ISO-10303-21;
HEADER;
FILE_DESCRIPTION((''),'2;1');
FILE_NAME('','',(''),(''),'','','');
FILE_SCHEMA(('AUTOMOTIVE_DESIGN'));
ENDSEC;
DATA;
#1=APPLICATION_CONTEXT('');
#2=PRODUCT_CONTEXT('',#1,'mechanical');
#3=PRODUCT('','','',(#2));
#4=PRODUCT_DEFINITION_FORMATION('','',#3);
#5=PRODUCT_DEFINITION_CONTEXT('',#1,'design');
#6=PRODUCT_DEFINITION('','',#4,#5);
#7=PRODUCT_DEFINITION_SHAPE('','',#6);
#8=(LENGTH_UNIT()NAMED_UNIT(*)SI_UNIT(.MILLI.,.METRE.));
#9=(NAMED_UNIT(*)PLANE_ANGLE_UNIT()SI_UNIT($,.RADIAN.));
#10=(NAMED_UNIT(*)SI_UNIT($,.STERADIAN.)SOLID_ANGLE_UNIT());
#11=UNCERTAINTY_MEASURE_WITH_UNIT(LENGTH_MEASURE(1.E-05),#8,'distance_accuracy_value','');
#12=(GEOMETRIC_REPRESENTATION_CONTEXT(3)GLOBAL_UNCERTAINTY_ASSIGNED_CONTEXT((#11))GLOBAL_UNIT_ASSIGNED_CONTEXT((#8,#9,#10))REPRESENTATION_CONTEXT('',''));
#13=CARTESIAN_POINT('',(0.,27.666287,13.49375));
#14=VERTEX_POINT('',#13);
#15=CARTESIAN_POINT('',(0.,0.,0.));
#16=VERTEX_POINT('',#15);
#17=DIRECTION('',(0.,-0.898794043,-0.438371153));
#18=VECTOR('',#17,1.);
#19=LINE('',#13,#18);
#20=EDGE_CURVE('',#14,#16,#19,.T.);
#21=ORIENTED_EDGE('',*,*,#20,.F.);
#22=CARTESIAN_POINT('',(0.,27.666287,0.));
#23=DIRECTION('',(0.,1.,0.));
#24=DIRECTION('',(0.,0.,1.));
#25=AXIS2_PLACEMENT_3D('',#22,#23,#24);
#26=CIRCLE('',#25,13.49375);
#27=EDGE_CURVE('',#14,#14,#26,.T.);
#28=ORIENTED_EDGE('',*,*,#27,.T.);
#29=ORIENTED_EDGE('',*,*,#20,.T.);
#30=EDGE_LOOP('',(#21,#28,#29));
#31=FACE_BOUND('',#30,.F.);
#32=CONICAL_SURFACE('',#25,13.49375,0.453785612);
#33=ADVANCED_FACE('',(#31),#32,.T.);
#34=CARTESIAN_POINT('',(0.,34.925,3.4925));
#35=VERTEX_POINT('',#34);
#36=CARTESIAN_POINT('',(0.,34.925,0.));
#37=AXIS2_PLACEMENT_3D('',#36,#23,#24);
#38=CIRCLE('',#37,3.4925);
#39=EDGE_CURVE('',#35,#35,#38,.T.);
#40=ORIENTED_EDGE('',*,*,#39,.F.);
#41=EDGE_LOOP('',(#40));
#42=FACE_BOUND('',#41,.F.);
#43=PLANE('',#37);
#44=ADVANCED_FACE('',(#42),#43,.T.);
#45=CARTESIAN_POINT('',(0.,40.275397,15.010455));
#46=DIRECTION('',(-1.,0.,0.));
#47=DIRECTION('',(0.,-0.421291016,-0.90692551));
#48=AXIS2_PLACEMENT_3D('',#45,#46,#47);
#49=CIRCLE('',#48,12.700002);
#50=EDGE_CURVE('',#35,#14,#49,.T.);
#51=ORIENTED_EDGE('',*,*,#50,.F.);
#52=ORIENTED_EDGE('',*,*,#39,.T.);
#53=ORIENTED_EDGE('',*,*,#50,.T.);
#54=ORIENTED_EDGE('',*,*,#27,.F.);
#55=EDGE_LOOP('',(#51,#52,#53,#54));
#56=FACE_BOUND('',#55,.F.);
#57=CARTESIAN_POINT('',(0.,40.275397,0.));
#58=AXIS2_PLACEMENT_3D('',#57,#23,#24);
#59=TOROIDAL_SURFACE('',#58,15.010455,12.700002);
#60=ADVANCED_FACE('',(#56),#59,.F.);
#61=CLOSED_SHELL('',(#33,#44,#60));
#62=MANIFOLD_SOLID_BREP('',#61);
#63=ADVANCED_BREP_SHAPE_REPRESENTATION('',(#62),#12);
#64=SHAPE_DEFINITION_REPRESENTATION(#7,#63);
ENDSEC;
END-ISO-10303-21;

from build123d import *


with BuildPart() as f1:
    # F0 (on Right) → F1 (revolve)
    with BuildSketch(Plane.YZ):
        with BuildLine():
            Line((27.666287, 13.49375), (0, 0))
            Line((0, 0), (34.925, 0))
            Line((34.925, 0), (34.925, 3.4925))
            ThreePointArc((34.925, 3.4925), (29.997157, 7.550708), (27.666287, 13.49375))
        make_face()
    revolve(axis=Axis((0, 17.4625, 0), (0, 1, 0)))


solid = f1.part
